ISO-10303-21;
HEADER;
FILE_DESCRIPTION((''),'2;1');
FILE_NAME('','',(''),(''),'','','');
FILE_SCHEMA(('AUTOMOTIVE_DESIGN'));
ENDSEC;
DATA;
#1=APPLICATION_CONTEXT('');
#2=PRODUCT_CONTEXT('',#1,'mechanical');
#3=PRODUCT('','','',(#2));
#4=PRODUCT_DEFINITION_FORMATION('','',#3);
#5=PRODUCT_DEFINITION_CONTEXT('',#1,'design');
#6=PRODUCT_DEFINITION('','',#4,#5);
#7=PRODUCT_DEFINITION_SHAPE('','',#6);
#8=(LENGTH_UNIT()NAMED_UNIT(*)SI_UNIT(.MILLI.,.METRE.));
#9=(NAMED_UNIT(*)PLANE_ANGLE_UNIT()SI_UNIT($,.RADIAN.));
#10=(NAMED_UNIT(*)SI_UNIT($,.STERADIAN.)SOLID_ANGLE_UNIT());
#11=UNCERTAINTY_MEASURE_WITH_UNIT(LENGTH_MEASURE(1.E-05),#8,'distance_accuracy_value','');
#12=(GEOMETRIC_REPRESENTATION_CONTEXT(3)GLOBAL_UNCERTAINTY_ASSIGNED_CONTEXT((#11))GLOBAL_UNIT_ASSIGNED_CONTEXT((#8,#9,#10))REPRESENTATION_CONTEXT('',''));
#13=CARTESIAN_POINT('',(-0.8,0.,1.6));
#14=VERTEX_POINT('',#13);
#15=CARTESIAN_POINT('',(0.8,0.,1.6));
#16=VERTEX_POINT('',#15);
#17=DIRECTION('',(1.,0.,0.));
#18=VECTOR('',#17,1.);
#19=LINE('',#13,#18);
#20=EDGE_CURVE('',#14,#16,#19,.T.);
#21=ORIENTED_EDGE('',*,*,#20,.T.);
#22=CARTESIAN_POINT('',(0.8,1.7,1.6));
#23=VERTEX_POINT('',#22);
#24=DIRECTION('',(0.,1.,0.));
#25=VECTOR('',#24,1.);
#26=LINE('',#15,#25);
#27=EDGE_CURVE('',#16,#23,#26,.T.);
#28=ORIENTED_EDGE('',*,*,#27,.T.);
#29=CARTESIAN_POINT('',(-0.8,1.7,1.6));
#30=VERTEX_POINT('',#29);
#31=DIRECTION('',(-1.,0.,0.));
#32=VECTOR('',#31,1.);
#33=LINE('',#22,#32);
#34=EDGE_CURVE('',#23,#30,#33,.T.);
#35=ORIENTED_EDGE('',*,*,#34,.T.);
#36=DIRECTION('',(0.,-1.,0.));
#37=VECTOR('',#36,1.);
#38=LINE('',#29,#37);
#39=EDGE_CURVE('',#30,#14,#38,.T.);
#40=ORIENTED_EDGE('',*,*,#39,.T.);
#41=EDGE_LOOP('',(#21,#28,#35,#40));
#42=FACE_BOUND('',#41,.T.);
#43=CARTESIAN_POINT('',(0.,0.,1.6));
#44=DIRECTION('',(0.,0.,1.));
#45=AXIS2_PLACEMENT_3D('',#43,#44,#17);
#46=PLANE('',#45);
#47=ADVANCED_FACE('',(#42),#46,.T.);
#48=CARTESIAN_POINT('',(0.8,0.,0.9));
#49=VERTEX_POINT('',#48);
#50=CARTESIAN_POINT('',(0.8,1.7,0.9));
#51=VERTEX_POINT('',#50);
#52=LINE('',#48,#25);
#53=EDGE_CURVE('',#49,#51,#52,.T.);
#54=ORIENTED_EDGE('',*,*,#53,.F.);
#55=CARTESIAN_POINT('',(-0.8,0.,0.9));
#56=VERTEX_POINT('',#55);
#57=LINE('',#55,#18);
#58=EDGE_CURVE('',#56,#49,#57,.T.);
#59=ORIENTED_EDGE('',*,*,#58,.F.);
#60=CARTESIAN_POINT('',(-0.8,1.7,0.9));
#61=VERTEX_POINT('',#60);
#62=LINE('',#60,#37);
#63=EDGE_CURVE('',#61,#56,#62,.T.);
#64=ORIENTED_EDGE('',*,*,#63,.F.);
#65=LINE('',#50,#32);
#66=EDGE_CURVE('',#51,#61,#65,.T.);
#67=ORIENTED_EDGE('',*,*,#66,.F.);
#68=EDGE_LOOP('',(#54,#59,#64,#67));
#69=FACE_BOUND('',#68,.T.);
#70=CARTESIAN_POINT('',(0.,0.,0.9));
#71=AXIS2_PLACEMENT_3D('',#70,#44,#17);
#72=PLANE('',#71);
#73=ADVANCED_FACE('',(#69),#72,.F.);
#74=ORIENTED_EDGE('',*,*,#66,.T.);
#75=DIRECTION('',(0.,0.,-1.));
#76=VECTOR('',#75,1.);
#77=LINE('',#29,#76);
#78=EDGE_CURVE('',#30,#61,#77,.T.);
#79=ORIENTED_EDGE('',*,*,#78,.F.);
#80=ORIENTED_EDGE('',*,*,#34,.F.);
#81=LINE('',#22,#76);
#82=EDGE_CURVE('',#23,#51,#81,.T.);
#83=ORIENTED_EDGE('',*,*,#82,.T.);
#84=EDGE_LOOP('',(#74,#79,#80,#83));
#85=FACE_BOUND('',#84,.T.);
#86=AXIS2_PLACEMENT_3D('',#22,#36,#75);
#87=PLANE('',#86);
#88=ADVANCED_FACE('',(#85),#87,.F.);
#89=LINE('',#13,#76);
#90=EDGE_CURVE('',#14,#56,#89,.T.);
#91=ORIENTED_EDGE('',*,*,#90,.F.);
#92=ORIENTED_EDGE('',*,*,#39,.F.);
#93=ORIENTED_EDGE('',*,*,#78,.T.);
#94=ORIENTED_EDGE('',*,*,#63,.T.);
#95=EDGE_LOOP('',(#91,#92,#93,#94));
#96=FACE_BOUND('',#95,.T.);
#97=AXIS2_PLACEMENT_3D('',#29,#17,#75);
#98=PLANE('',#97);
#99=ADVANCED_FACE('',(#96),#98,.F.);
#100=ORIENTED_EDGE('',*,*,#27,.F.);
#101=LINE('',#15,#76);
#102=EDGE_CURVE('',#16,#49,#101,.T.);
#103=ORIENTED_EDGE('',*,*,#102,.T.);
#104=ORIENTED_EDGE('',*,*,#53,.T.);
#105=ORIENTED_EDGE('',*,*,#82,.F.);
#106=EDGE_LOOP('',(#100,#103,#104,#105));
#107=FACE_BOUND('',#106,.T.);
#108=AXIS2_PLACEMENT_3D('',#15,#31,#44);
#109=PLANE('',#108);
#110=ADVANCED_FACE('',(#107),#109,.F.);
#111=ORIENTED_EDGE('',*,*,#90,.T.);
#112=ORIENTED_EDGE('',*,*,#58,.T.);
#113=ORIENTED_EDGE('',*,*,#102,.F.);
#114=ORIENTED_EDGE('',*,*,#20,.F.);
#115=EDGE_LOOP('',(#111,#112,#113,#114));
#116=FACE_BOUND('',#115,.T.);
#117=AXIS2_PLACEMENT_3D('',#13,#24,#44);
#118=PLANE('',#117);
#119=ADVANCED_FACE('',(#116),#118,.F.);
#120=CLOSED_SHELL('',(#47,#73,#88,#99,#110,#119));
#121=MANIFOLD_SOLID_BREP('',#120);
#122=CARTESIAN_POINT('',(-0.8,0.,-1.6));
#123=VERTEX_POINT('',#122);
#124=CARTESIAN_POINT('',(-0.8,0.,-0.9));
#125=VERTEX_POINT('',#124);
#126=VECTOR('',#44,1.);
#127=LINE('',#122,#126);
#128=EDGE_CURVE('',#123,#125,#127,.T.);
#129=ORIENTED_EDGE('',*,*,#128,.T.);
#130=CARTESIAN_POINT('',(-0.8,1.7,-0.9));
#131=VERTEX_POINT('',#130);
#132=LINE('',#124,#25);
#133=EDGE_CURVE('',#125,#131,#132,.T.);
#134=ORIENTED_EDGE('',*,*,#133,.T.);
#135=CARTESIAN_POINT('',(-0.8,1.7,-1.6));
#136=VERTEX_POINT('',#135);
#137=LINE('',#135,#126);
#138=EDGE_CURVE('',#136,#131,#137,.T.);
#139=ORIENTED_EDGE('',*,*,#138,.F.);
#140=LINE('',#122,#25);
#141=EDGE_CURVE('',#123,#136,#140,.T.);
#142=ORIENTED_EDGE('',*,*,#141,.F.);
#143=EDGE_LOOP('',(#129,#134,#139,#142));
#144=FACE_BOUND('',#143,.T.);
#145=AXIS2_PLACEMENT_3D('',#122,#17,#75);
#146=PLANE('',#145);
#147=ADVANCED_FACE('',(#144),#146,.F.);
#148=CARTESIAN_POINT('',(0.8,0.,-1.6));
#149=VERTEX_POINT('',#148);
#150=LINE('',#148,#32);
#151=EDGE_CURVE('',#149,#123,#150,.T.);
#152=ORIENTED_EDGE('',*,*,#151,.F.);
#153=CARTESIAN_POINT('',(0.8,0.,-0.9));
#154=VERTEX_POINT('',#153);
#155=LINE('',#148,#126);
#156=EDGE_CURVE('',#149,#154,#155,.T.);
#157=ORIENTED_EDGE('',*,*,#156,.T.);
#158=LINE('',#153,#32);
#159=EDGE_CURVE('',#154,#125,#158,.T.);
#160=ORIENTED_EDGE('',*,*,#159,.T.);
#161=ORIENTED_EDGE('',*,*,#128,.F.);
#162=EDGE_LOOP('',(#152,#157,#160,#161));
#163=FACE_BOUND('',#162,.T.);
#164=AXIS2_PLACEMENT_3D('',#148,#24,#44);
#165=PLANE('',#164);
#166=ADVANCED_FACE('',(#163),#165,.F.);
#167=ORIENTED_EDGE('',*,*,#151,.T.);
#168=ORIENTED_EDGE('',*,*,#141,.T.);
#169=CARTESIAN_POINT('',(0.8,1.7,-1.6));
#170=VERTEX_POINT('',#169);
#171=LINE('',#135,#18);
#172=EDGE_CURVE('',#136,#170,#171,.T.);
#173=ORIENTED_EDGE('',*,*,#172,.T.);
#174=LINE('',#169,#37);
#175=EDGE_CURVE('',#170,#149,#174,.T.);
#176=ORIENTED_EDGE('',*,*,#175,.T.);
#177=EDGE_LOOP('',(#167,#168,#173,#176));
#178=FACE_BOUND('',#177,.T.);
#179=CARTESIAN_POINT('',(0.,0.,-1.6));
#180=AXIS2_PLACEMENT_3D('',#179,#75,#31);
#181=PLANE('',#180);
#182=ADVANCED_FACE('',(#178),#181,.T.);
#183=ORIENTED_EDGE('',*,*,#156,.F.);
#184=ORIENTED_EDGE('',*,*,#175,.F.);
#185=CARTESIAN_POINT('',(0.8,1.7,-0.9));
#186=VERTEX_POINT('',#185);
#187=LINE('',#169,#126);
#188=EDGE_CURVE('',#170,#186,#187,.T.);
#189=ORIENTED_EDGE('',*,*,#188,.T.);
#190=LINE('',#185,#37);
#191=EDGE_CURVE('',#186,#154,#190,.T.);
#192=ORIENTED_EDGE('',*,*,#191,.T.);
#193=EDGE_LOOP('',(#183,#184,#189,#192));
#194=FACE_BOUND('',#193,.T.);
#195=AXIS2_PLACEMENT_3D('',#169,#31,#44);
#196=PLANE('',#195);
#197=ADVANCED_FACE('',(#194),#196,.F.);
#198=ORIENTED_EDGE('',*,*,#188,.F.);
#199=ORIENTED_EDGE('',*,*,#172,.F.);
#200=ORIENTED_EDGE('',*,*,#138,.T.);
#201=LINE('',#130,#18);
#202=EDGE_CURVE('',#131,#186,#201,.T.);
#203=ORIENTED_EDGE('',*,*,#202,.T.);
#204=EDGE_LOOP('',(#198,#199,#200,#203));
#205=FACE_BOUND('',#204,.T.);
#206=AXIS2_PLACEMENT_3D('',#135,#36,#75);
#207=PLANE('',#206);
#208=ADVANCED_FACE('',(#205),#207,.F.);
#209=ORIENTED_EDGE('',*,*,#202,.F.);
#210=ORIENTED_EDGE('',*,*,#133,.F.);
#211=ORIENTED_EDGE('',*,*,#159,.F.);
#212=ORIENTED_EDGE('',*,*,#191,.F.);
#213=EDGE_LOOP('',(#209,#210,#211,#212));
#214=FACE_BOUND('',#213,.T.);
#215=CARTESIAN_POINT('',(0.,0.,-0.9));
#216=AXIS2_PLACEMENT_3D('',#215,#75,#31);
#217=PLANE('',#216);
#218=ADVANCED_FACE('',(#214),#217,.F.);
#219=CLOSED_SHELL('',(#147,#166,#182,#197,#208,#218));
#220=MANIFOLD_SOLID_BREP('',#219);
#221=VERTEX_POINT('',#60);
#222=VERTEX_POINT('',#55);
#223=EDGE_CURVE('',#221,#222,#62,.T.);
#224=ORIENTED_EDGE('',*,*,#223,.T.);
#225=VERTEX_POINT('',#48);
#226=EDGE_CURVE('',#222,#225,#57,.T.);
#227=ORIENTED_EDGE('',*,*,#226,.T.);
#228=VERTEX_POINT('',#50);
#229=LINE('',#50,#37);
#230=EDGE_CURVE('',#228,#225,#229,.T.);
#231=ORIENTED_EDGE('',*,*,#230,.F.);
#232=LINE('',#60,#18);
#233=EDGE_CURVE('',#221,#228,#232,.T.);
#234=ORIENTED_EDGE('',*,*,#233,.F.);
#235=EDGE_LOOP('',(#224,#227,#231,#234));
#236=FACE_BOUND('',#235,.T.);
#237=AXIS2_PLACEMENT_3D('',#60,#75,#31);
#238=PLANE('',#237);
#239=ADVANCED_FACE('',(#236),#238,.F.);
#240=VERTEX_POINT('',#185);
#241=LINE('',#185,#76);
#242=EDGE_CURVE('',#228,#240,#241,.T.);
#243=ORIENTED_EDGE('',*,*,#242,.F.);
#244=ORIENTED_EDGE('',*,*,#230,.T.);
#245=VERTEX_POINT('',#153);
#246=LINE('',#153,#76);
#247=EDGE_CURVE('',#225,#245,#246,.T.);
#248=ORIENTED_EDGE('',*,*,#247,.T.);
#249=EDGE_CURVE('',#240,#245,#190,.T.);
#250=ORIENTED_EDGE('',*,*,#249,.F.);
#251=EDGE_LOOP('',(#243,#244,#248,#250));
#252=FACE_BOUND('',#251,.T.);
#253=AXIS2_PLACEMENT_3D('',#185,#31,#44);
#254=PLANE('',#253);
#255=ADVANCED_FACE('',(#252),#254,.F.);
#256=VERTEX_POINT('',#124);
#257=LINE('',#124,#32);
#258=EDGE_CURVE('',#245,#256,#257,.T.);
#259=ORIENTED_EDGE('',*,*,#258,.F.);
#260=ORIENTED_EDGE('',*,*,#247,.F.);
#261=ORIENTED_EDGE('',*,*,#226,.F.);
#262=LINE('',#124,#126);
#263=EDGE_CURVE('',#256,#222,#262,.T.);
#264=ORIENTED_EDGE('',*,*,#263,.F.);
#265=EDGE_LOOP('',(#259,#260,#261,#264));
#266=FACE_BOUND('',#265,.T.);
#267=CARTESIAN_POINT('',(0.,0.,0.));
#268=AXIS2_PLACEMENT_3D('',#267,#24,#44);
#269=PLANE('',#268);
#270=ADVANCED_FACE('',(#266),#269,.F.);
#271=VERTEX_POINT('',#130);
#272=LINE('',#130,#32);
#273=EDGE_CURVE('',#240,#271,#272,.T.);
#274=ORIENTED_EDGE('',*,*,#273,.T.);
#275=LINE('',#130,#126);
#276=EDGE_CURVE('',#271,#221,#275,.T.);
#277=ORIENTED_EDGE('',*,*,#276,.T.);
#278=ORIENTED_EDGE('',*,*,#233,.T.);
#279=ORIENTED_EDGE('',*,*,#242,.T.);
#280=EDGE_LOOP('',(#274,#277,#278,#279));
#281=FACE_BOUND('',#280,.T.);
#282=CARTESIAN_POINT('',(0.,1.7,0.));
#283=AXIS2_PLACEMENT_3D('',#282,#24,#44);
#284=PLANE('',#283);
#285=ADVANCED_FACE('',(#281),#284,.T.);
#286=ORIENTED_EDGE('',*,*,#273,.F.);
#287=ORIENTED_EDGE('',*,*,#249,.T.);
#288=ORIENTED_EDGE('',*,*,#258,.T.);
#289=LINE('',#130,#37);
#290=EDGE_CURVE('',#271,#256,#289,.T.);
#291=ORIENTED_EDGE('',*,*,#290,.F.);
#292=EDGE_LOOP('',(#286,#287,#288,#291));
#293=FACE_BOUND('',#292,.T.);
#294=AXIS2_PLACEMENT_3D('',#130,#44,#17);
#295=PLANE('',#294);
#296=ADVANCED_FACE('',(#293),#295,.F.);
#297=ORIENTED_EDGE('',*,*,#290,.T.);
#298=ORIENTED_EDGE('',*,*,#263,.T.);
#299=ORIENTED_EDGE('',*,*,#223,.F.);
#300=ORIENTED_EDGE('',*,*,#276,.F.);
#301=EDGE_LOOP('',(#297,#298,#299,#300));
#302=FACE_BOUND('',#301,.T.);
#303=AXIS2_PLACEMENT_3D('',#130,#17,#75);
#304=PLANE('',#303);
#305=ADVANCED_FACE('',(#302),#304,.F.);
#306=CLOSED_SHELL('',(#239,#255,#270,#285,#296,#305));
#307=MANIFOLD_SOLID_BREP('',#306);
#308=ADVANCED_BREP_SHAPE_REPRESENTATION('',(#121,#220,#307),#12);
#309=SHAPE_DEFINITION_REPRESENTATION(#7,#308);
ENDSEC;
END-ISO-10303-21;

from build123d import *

# Parameters (mm, degrees)
SKETCH1_W  = 1.6
SKETCH1_H  = 1.8
MB_DEPTH   = 1.7
SKETCH2_W  = 1.6
SKETCH2_H  = 1.7
SB_L_DEPTH = 0.7
SKETCH3_W  = 1.6
SKETCH3_H  = 1.7
SB_R_DEPTH = 0.7


with BuildPart() as part:
    # Sketch1 → MB (new body)
    with BuildSketch(Plane(origin=(0, 0, 0), x_dir=(1, 0, 0), z_dir=(0, 1, 0))):
        Rectangle(SKETCH1_W, SKETCH1_H)
    extrude(amount=MB_DEPTH)


with BuildPart() as body_2:
    # Sketch2 → SB L (new body)
    with BuildSketch(Plane.XY.offset(0.9)):
        with Locations((0, 0.85)):
            Rectangle(SKETCH2_W, SKETCH2_H)
    extrude(amount=SB_L_DEPTH)


with BuildPart() as body_3:
    # Sketch3 → SB R (new body)
    with BuildSketch(Plane(origin=(0, 0, -0.9), x_dir=(-1, 0, 0), z_dir=(0, 0, -1))):
        with Locations((0, 0.85)):
            Rectangle(SKETCH3_W, SKETCH3_H)
    extrude(amount=SB_R_DEPTH)


solid = Compound([part.part, body_2.part, body_3.part])
